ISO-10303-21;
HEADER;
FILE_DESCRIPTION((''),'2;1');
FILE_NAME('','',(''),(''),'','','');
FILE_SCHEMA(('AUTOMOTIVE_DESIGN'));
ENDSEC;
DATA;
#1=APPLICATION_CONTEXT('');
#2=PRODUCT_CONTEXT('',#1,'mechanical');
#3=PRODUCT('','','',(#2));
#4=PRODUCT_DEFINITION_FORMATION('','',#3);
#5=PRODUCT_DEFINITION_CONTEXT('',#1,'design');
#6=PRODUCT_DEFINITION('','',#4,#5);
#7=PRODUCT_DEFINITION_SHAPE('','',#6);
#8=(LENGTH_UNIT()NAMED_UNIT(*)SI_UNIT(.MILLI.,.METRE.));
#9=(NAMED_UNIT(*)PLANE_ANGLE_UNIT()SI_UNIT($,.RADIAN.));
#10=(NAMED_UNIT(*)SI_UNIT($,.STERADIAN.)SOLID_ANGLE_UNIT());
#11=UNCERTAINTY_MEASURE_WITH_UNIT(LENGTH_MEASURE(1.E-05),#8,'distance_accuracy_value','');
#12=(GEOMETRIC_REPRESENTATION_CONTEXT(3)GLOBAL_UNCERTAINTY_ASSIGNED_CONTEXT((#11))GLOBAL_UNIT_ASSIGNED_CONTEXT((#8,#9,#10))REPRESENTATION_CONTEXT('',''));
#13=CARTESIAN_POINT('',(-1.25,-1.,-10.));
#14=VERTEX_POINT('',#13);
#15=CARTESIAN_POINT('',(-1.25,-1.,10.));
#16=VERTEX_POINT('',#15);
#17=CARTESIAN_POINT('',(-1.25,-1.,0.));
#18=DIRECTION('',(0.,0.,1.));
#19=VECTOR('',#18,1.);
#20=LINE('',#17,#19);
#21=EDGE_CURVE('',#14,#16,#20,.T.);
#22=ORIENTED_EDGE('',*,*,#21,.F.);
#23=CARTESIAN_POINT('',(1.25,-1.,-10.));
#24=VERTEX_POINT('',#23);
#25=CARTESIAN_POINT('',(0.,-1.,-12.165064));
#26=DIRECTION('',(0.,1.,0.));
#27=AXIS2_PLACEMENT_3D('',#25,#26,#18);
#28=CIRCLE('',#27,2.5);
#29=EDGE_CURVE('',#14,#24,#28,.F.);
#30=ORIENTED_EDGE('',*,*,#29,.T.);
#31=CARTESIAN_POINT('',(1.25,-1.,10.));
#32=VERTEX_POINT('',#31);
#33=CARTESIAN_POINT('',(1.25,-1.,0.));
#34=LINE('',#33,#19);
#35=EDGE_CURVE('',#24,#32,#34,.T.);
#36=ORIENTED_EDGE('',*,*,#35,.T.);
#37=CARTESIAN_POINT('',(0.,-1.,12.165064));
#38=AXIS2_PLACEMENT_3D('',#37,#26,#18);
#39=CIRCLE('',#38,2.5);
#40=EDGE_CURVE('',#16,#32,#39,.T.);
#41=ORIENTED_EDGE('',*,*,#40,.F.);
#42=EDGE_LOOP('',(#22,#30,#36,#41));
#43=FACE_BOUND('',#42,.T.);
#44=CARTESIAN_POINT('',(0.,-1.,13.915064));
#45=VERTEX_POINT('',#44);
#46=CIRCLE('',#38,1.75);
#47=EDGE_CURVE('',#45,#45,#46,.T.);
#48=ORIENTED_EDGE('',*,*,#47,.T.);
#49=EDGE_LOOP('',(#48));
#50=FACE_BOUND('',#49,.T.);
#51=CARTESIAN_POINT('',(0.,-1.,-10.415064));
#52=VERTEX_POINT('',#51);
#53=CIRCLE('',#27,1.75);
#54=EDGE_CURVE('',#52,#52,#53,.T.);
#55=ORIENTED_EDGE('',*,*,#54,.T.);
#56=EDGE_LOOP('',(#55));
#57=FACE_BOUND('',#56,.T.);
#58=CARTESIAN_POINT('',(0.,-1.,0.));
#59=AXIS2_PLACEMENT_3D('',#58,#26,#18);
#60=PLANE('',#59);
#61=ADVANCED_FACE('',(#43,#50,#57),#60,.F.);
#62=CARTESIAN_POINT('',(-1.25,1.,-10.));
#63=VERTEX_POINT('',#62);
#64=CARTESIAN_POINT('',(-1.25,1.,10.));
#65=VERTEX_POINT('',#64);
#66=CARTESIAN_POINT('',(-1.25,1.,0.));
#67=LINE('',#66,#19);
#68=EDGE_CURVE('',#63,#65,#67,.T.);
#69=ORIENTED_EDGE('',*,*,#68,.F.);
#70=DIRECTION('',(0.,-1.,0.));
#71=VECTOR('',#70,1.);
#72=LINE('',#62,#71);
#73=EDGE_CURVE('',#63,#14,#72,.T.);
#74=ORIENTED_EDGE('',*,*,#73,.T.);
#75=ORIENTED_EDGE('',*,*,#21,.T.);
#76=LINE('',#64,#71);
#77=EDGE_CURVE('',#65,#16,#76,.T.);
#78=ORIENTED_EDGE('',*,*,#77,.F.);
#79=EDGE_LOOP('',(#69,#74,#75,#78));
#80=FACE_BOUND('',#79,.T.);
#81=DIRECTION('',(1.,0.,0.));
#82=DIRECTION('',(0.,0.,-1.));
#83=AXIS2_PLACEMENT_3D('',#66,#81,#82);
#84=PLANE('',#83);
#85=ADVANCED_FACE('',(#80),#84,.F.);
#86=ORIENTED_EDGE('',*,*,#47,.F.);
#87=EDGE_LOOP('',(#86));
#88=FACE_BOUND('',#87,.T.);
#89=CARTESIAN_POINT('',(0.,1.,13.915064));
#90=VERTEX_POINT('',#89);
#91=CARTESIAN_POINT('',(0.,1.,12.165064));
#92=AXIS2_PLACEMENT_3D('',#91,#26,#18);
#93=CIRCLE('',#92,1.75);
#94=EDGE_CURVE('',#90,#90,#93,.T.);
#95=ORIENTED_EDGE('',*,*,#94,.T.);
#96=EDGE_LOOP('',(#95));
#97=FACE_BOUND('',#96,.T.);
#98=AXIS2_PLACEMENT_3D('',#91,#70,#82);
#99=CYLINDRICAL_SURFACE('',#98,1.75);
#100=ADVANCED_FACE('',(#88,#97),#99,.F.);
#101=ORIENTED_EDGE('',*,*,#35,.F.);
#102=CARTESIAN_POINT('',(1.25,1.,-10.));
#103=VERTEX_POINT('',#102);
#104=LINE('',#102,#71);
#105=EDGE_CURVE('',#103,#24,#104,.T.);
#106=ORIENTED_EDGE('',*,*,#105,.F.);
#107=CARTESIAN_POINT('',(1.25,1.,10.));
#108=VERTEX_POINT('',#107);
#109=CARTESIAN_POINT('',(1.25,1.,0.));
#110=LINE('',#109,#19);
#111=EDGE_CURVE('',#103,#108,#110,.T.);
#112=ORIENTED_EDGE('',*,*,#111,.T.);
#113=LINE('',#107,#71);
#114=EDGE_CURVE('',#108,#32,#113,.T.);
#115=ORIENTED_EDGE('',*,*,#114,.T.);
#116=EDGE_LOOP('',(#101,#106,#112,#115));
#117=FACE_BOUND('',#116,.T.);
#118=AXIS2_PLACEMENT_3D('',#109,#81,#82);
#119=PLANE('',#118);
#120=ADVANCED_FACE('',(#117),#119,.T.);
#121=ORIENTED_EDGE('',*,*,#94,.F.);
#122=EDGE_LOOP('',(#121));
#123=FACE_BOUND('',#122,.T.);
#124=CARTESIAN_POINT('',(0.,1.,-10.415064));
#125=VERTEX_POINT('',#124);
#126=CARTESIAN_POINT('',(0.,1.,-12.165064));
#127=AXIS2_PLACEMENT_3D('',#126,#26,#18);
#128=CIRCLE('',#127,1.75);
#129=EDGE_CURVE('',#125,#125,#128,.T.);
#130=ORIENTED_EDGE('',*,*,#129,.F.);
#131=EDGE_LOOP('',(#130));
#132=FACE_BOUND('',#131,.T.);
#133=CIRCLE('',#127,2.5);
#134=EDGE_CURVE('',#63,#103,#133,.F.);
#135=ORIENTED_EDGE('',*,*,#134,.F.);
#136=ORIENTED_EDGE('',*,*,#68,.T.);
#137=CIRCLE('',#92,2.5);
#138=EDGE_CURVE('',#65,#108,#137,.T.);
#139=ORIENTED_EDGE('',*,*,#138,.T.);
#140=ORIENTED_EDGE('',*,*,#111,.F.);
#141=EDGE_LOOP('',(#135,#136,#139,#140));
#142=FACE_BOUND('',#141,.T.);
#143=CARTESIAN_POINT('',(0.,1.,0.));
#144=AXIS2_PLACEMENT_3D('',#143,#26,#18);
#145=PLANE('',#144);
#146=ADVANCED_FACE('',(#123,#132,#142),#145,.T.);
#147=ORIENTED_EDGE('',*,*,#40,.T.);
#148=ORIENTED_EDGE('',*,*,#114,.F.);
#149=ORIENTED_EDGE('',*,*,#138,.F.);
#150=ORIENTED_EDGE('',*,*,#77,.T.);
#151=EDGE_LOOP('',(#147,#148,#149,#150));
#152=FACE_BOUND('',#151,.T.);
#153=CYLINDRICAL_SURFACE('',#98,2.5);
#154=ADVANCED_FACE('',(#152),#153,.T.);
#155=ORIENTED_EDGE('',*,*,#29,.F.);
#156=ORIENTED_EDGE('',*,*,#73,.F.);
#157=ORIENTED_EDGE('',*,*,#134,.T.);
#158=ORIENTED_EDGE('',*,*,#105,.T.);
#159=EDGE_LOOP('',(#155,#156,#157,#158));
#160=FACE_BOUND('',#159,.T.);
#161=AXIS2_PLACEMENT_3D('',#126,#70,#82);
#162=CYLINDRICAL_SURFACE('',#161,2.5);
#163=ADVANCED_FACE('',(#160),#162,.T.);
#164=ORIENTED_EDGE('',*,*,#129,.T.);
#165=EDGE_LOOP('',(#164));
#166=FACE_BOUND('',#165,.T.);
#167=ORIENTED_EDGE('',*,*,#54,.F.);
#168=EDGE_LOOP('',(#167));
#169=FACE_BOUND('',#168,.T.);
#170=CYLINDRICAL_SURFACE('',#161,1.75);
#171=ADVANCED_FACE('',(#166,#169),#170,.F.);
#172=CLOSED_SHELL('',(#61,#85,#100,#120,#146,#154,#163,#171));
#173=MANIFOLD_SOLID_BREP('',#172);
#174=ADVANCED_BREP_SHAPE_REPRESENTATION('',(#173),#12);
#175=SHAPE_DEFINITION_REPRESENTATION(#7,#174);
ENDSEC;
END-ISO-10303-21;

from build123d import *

# Parameters (mm, degrees)
SKETCH1_R           = 1.75
BOSS_EXTRUDE1_DEPTH = 1


with BuildPart() as part:
    # Sketch1 → Boss-Extrude1 (new, symmetric)
    with BuildSketch(Plane(origin=(0, 0, 0), x_dir=(1, 0, 0), z_dir=(0, 1, 0))):
        with BuildLine():
            Line((-1.25, 10), (-1.25, -10))
            ThreePointArc((-1.25, -10), (0, -14.665063509), (1.25, -10))
            Line((1.25, -10), (1.25, 10))
            ThreePointArc((1.25, 10), (0, 14.665063509), (-1.25, 10))
        make_face()
        with Locations(Location((0, 12.165063509, 0), (0, 0, 270))):
            Circle(SKETCH1_R, mode=Mode.SUBTRACT)
        with Locations(Location((0, -12.165063509, 0), (0, 0, 270))):
            Circle(SKETCH1_R, mode=Mode.SUBTRACT)
    extrude(amount=BOSS_EXTRUDE1_DEPTH, both=True)


solid = part.part
